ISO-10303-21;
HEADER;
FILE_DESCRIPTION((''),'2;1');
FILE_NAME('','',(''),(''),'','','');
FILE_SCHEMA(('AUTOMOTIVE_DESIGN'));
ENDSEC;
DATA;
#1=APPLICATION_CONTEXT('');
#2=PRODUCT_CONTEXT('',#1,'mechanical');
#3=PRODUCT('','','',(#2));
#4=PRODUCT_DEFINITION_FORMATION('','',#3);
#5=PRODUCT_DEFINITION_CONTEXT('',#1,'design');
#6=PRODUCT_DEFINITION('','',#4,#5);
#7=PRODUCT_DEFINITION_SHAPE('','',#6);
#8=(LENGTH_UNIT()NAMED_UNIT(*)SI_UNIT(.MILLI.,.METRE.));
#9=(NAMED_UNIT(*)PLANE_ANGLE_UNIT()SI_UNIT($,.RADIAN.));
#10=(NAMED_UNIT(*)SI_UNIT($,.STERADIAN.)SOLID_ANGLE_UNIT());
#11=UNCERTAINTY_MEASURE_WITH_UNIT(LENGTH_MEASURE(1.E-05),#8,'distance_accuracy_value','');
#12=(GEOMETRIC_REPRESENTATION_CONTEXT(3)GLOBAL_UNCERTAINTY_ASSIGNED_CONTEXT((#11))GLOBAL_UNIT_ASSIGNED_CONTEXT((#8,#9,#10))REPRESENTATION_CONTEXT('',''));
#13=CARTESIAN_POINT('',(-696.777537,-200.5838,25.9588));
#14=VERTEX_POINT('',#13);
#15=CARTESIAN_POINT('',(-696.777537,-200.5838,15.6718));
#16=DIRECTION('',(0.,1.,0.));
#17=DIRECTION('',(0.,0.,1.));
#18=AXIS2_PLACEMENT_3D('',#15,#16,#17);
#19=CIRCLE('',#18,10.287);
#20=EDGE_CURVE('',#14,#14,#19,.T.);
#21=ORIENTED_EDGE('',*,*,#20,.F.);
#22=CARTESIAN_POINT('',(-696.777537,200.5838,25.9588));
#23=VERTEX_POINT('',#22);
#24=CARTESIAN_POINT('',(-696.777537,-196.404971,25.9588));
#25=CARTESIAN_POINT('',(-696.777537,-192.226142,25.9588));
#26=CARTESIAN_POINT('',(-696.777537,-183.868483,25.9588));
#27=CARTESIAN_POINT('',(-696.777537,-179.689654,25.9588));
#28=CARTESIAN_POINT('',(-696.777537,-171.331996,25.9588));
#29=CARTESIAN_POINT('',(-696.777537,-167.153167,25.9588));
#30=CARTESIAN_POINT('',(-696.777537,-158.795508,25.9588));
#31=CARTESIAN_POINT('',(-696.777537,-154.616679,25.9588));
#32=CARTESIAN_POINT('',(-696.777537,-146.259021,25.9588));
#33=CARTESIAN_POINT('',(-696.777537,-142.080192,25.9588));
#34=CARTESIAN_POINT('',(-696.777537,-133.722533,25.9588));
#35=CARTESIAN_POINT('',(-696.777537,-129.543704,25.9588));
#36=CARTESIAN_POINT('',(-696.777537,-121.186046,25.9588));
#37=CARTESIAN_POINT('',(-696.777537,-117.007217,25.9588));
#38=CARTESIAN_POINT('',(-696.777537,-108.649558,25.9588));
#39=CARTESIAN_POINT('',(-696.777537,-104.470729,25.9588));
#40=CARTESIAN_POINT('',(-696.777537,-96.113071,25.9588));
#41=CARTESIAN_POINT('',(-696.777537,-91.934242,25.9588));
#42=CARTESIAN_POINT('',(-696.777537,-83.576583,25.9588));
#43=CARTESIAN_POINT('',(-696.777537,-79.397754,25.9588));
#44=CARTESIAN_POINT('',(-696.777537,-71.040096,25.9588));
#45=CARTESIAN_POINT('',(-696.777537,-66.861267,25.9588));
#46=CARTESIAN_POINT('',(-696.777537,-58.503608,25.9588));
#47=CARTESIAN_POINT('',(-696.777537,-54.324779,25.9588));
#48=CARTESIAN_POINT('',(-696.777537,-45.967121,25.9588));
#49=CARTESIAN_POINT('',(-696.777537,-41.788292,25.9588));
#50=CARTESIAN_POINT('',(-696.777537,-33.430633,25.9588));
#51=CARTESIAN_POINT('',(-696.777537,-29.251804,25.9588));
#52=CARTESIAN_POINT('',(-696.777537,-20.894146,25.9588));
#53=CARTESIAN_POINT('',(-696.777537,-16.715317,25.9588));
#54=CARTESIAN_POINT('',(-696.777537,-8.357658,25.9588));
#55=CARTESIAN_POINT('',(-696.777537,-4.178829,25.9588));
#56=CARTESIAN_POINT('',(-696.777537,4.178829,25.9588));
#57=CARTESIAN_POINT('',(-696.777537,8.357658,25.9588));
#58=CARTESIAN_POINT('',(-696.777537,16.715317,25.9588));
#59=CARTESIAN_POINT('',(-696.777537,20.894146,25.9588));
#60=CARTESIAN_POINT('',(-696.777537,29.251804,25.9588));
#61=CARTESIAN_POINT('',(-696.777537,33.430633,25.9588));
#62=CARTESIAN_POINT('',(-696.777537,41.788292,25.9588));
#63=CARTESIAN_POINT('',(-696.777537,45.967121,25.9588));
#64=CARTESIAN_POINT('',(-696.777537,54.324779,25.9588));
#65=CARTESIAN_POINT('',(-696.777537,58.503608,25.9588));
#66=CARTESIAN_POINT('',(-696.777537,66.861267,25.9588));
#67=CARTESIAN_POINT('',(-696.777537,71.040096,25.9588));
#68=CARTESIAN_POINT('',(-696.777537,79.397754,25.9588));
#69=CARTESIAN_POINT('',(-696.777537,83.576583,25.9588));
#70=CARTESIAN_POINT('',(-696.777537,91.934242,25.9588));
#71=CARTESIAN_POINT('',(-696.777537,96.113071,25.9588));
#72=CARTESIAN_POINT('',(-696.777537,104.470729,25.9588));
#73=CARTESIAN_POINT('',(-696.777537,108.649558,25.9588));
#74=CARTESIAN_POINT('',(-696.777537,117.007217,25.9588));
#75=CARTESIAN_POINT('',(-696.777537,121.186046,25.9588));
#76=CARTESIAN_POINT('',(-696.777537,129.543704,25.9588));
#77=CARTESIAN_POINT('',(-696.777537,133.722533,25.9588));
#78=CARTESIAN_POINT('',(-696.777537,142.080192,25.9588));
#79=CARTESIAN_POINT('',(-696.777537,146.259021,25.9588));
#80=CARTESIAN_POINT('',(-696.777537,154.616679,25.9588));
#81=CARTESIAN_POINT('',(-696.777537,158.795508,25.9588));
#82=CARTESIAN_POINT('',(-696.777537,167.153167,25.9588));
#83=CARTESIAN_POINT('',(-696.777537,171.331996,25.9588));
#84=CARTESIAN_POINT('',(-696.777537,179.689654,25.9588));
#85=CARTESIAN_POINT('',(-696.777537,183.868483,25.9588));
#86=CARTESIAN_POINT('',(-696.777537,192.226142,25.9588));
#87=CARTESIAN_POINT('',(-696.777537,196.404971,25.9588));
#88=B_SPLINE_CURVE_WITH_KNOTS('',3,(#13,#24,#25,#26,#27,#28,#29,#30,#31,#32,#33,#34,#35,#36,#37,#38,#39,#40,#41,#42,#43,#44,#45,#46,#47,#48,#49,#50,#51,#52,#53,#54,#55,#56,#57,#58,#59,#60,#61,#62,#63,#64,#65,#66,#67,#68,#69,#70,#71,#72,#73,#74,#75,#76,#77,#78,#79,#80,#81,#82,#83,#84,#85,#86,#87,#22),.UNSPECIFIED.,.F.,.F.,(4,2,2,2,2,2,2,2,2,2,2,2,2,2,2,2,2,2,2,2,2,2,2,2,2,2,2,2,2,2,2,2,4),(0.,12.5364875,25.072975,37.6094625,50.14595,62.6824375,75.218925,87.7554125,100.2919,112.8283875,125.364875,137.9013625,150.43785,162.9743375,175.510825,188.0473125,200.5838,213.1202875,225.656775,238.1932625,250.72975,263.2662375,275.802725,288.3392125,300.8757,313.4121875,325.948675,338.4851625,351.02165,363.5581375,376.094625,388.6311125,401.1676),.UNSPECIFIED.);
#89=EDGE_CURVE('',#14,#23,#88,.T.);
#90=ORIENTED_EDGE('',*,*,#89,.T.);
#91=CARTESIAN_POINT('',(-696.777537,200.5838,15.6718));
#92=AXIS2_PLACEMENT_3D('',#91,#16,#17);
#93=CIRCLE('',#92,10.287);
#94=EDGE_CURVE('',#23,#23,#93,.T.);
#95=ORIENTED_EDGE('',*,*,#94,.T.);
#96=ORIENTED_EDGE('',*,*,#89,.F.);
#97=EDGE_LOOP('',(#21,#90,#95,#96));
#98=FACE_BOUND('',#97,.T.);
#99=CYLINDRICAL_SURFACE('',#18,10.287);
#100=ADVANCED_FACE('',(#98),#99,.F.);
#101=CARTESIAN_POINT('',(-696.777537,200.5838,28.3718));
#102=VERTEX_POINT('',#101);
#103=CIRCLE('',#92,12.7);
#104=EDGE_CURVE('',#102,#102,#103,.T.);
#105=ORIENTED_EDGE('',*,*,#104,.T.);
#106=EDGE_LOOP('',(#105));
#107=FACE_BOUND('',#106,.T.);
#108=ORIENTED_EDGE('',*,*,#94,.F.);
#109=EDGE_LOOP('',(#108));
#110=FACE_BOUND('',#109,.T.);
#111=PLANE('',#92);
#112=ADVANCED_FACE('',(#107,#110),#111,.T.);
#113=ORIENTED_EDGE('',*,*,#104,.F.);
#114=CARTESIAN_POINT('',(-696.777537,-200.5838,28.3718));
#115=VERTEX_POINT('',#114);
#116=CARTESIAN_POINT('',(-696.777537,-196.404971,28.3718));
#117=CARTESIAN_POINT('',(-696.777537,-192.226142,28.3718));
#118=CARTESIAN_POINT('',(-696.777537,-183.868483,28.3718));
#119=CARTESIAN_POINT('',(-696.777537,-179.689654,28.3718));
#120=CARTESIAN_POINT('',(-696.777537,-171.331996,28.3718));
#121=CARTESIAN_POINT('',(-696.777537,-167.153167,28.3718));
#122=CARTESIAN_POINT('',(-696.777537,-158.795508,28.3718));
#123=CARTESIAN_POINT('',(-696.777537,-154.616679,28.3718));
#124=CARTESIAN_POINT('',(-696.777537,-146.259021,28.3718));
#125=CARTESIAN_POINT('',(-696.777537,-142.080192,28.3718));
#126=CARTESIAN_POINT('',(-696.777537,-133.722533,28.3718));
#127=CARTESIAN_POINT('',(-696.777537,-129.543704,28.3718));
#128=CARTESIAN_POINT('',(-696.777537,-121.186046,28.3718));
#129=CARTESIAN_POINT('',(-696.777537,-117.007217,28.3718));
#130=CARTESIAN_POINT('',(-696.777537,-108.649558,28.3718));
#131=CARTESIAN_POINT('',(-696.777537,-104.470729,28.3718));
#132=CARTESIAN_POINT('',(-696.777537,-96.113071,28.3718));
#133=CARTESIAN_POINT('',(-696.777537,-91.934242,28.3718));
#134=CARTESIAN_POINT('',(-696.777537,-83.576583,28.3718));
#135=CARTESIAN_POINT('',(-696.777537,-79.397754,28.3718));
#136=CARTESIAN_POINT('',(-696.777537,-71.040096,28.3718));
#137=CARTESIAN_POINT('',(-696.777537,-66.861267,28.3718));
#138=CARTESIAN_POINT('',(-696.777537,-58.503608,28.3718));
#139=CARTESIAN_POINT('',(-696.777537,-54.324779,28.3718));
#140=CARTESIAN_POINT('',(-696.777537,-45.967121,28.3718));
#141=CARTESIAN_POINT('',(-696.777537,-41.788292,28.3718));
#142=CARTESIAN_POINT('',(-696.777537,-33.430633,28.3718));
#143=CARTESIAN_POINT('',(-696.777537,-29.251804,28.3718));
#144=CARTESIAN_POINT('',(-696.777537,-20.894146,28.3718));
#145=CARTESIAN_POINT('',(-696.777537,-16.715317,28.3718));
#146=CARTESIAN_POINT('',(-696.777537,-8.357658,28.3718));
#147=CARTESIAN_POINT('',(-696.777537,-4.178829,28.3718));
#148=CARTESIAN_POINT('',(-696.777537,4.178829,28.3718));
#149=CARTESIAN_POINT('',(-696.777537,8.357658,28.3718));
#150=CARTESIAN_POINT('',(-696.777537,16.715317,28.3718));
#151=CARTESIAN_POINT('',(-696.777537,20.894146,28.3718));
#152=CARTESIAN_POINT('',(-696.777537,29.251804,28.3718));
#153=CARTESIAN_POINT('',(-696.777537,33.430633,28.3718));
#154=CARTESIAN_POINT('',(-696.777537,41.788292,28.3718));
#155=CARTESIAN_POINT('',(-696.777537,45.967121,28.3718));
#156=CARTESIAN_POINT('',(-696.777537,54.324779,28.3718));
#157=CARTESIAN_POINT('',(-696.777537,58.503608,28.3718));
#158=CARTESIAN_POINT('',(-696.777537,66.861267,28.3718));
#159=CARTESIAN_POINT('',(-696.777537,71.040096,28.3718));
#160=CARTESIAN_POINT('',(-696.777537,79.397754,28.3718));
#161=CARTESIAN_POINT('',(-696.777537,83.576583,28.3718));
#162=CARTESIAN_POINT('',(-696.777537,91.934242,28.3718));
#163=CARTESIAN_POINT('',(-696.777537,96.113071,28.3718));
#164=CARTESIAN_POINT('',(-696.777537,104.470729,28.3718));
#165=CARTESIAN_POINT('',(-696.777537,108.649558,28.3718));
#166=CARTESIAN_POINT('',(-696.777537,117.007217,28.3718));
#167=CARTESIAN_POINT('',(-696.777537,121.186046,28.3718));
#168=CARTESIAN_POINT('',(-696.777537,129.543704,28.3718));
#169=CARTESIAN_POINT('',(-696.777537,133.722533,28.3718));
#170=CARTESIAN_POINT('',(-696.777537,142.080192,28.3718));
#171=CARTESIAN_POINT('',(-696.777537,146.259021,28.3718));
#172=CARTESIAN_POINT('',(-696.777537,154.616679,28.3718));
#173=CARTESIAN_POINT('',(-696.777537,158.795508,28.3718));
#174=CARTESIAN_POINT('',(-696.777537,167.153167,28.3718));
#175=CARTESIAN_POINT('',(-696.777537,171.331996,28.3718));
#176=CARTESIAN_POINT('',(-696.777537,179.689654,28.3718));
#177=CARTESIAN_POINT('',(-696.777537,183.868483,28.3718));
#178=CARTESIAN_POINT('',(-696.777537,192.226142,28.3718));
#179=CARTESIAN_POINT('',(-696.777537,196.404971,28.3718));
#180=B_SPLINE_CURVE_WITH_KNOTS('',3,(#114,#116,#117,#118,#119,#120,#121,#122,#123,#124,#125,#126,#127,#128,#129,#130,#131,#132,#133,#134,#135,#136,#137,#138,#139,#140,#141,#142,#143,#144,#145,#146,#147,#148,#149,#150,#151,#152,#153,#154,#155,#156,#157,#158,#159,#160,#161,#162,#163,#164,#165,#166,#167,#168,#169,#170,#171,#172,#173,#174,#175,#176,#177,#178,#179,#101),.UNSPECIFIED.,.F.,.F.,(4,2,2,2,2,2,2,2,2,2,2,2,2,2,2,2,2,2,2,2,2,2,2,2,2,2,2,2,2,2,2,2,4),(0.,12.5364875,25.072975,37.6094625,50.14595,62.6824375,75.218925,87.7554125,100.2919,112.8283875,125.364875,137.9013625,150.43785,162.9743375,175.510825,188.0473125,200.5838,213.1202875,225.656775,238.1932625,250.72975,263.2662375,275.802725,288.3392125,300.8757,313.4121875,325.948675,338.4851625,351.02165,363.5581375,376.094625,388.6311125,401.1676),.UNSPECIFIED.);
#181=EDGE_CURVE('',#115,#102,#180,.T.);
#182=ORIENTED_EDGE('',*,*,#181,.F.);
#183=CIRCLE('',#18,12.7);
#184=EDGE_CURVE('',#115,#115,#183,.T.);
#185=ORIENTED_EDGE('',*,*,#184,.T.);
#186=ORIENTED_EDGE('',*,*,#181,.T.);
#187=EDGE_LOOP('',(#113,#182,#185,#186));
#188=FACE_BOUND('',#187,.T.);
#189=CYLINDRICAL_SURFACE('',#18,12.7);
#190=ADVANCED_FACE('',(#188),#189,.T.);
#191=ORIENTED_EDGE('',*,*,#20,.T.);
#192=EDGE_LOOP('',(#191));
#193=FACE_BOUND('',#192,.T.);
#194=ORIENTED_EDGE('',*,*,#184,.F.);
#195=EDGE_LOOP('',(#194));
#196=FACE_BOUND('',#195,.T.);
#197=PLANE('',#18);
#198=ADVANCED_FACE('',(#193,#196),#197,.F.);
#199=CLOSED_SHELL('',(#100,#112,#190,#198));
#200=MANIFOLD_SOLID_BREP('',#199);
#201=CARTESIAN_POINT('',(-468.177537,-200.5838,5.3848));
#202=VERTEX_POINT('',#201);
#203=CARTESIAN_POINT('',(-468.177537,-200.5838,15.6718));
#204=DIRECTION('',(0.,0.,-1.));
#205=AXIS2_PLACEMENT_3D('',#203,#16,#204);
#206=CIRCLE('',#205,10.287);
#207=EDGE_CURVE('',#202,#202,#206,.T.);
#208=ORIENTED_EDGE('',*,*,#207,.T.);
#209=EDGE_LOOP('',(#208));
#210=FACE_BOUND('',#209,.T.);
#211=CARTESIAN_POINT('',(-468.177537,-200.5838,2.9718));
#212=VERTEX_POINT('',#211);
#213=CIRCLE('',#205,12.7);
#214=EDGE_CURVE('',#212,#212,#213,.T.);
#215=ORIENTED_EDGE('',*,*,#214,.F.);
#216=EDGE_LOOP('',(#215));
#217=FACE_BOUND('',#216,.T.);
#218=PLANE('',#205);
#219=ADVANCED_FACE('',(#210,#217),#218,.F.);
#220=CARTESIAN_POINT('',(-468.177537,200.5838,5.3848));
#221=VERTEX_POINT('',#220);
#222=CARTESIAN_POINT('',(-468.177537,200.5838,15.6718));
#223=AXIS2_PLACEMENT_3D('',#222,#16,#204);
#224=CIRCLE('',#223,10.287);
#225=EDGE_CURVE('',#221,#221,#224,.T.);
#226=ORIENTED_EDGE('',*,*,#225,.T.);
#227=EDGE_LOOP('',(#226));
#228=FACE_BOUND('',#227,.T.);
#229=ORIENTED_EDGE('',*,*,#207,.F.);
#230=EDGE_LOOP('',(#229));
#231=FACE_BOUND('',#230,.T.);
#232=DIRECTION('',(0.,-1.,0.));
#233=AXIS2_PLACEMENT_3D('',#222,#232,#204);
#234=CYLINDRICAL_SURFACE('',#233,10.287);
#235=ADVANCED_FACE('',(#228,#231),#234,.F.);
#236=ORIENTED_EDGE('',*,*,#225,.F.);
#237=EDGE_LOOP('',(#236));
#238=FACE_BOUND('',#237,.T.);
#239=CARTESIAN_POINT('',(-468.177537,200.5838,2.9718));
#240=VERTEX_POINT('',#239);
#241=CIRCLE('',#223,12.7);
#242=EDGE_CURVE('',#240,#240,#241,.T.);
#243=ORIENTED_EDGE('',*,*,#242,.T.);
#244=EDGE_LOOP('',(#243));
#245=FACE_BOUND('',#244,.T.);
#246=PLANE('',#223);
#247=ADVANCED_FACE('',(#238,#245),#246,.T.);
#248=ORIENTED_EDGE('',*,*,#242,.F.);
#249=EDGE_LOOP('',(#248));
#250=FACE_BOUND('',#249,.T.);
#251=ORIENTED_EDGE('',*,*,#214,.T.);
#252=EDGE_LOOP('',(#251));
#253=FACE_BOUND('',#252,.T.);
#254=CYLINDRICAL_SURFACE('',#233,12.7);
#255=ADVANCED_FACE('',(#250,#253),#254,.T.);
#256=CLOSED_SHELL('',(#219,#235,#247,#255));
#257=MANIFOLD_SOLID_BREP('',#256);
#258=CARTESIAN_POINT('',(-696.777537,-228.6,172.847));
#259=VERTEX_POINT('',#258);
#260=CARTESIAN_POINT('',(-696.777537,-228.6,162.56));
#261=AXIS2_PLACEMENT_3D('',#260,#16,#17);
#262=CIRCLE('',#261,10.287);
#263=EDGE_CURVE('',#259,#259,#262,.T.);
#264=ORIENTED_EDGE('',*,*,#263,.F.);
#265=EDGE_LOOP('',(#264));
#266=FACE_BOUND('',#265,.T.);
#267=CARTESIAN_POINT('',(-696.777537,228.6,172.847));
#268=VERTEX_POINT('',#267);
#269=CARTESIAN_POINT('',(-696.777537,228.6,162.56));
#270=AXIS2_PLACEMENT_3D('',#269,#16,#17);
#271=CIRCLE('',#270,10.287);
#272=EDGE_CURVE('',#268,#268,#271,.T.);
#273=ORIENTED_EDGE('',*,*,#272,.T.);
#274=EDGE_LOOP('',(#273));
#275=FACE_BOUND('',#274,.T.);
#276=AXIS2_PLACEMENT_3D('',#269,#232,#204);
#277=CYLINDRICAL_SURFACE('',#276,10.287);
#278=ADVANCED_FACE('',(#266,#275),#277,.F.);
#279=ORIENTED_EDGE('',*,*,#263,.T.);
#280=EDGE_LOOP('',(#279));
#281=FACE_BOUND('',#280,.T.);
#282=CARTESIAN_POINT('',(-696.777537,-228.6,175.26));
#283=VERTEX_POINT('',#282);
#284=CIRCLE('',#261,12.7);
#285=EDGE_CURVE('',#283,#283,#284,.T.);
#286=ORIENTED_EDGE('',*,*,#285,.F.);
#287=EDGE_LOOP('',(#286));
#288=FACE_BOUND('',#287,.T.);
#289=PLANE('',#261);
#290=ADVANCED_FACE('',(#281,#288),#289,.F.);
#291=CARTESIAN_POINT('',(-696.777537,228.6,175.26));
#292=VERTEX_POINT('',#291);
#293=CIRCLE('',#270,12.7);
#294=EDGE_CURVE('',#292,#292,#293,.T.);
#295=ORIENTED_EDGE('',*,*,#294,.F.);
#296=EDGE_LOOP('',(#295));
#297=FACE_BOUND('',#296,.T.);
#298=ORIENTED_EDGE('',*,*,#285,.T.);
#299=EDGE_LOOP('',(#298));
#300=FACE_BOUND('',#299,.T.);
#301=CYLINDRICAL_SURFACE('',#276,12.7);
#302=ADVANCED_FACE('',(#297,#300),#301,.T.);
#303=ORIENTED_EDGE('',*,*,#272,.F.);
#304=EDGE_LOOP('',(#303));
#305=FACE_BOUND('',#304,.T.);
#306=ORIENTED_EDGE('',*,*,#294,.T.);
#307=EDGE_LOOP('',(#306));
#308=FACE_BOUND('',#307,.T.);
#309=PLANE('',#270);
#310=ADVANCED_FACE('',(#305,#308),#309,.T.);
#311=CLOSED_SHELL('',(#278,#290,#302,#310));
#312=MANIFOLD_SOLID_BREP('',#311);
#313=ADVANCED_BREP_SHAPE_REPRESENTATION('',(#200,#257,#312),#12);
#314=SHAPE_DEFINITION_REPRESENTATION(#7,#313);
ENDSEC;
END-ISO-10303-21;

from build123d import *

# Parameters (mm, degrees)
SKETCH173_R                                    = 12.7
SKETCH173_R_2                                  = 10.287
OTHER_REAR_STRUCTURAL_TUBING_1_00_X_0_04_DEPTH = 457.2
SKETCH173_ON_SEGMENT_2_R                       = 12.7
SKETCH173_ON_SEGMENT_2_R_2                     = 10.287
OTHER_REAR_STRUCTURAL_TUBING_1_00_X_2_DEPTH    = 401.1676
SKETCH173_ON_SEGMENT_3_R                       = 12.7
SKETCH173_ON_SEGMENT_3_R_2                     = 10.287
OTHER_REAR_STRUCTURAL_TUBING_1_00_X_3_DEPTH    = 401.1676


with BuildPart() as part:
    # Sketch173 → other rear structural tubing 1.00 X 0.049IN(1) (new body)
    with BuildSketch(Plane(origin=(-696.777536969, -228.6, 162.56), x_dir=(0, 0, -1), z_dir=(0, 1, 0))):
        Circle(SKETCH173_R)
        Circle(SKETCH173_R_2, mode=Mode.SUBTRACT)
    extrude(amount=OTHER_REAR_STRUCTURAL_TUBING_1_00_X_0_04_DEPTH)


with BuildPart() as body_2:
    # Sketch173 on segment 2 (carried to segment 2) → other rear structural tubing 1.00 X  2 (new body)
    with BuildSketch(Plane(origin=(-468.177536969, -200.5838, 15.6718), x_dir=(0, 0, -1), z_dir=(0, 1, 0))):
        Circle(SKETCH173_ON_SEGMENT_2_R)
        Circle(SKETCH173_ON_SEGMENT_2_R_2, mode=Mode.SUBTRACT)
    extrude(amount=OTHER_REAR_STRUCTURAL_TUBING_1_00_X_2_DEPTH)


with BuildPart() as body_3:
    # Sketch173 on segment 3 (carried to segment 3) → other rear structural tubing 1.00 X  3 (new body)
    with BuildSketch(Plane(origin=(-696.777536969, -200.5838, 15.6718), x_dir=(0, 0, -1), z_dir=(0, 1, 0))):
        Circle(SKETCH173_ON_SEGMENT_3_R)
        Circle(SKETCH173_ON_SEGMENT_3_R_2, mode=Mode.SUBTRACT)
    extrude(amount=OTHER_REAR_STRUCTURAL_TUBING_1_00_X_3_DEPTH)


solid = Compound([part.part, body_2.part, body_3.part])
